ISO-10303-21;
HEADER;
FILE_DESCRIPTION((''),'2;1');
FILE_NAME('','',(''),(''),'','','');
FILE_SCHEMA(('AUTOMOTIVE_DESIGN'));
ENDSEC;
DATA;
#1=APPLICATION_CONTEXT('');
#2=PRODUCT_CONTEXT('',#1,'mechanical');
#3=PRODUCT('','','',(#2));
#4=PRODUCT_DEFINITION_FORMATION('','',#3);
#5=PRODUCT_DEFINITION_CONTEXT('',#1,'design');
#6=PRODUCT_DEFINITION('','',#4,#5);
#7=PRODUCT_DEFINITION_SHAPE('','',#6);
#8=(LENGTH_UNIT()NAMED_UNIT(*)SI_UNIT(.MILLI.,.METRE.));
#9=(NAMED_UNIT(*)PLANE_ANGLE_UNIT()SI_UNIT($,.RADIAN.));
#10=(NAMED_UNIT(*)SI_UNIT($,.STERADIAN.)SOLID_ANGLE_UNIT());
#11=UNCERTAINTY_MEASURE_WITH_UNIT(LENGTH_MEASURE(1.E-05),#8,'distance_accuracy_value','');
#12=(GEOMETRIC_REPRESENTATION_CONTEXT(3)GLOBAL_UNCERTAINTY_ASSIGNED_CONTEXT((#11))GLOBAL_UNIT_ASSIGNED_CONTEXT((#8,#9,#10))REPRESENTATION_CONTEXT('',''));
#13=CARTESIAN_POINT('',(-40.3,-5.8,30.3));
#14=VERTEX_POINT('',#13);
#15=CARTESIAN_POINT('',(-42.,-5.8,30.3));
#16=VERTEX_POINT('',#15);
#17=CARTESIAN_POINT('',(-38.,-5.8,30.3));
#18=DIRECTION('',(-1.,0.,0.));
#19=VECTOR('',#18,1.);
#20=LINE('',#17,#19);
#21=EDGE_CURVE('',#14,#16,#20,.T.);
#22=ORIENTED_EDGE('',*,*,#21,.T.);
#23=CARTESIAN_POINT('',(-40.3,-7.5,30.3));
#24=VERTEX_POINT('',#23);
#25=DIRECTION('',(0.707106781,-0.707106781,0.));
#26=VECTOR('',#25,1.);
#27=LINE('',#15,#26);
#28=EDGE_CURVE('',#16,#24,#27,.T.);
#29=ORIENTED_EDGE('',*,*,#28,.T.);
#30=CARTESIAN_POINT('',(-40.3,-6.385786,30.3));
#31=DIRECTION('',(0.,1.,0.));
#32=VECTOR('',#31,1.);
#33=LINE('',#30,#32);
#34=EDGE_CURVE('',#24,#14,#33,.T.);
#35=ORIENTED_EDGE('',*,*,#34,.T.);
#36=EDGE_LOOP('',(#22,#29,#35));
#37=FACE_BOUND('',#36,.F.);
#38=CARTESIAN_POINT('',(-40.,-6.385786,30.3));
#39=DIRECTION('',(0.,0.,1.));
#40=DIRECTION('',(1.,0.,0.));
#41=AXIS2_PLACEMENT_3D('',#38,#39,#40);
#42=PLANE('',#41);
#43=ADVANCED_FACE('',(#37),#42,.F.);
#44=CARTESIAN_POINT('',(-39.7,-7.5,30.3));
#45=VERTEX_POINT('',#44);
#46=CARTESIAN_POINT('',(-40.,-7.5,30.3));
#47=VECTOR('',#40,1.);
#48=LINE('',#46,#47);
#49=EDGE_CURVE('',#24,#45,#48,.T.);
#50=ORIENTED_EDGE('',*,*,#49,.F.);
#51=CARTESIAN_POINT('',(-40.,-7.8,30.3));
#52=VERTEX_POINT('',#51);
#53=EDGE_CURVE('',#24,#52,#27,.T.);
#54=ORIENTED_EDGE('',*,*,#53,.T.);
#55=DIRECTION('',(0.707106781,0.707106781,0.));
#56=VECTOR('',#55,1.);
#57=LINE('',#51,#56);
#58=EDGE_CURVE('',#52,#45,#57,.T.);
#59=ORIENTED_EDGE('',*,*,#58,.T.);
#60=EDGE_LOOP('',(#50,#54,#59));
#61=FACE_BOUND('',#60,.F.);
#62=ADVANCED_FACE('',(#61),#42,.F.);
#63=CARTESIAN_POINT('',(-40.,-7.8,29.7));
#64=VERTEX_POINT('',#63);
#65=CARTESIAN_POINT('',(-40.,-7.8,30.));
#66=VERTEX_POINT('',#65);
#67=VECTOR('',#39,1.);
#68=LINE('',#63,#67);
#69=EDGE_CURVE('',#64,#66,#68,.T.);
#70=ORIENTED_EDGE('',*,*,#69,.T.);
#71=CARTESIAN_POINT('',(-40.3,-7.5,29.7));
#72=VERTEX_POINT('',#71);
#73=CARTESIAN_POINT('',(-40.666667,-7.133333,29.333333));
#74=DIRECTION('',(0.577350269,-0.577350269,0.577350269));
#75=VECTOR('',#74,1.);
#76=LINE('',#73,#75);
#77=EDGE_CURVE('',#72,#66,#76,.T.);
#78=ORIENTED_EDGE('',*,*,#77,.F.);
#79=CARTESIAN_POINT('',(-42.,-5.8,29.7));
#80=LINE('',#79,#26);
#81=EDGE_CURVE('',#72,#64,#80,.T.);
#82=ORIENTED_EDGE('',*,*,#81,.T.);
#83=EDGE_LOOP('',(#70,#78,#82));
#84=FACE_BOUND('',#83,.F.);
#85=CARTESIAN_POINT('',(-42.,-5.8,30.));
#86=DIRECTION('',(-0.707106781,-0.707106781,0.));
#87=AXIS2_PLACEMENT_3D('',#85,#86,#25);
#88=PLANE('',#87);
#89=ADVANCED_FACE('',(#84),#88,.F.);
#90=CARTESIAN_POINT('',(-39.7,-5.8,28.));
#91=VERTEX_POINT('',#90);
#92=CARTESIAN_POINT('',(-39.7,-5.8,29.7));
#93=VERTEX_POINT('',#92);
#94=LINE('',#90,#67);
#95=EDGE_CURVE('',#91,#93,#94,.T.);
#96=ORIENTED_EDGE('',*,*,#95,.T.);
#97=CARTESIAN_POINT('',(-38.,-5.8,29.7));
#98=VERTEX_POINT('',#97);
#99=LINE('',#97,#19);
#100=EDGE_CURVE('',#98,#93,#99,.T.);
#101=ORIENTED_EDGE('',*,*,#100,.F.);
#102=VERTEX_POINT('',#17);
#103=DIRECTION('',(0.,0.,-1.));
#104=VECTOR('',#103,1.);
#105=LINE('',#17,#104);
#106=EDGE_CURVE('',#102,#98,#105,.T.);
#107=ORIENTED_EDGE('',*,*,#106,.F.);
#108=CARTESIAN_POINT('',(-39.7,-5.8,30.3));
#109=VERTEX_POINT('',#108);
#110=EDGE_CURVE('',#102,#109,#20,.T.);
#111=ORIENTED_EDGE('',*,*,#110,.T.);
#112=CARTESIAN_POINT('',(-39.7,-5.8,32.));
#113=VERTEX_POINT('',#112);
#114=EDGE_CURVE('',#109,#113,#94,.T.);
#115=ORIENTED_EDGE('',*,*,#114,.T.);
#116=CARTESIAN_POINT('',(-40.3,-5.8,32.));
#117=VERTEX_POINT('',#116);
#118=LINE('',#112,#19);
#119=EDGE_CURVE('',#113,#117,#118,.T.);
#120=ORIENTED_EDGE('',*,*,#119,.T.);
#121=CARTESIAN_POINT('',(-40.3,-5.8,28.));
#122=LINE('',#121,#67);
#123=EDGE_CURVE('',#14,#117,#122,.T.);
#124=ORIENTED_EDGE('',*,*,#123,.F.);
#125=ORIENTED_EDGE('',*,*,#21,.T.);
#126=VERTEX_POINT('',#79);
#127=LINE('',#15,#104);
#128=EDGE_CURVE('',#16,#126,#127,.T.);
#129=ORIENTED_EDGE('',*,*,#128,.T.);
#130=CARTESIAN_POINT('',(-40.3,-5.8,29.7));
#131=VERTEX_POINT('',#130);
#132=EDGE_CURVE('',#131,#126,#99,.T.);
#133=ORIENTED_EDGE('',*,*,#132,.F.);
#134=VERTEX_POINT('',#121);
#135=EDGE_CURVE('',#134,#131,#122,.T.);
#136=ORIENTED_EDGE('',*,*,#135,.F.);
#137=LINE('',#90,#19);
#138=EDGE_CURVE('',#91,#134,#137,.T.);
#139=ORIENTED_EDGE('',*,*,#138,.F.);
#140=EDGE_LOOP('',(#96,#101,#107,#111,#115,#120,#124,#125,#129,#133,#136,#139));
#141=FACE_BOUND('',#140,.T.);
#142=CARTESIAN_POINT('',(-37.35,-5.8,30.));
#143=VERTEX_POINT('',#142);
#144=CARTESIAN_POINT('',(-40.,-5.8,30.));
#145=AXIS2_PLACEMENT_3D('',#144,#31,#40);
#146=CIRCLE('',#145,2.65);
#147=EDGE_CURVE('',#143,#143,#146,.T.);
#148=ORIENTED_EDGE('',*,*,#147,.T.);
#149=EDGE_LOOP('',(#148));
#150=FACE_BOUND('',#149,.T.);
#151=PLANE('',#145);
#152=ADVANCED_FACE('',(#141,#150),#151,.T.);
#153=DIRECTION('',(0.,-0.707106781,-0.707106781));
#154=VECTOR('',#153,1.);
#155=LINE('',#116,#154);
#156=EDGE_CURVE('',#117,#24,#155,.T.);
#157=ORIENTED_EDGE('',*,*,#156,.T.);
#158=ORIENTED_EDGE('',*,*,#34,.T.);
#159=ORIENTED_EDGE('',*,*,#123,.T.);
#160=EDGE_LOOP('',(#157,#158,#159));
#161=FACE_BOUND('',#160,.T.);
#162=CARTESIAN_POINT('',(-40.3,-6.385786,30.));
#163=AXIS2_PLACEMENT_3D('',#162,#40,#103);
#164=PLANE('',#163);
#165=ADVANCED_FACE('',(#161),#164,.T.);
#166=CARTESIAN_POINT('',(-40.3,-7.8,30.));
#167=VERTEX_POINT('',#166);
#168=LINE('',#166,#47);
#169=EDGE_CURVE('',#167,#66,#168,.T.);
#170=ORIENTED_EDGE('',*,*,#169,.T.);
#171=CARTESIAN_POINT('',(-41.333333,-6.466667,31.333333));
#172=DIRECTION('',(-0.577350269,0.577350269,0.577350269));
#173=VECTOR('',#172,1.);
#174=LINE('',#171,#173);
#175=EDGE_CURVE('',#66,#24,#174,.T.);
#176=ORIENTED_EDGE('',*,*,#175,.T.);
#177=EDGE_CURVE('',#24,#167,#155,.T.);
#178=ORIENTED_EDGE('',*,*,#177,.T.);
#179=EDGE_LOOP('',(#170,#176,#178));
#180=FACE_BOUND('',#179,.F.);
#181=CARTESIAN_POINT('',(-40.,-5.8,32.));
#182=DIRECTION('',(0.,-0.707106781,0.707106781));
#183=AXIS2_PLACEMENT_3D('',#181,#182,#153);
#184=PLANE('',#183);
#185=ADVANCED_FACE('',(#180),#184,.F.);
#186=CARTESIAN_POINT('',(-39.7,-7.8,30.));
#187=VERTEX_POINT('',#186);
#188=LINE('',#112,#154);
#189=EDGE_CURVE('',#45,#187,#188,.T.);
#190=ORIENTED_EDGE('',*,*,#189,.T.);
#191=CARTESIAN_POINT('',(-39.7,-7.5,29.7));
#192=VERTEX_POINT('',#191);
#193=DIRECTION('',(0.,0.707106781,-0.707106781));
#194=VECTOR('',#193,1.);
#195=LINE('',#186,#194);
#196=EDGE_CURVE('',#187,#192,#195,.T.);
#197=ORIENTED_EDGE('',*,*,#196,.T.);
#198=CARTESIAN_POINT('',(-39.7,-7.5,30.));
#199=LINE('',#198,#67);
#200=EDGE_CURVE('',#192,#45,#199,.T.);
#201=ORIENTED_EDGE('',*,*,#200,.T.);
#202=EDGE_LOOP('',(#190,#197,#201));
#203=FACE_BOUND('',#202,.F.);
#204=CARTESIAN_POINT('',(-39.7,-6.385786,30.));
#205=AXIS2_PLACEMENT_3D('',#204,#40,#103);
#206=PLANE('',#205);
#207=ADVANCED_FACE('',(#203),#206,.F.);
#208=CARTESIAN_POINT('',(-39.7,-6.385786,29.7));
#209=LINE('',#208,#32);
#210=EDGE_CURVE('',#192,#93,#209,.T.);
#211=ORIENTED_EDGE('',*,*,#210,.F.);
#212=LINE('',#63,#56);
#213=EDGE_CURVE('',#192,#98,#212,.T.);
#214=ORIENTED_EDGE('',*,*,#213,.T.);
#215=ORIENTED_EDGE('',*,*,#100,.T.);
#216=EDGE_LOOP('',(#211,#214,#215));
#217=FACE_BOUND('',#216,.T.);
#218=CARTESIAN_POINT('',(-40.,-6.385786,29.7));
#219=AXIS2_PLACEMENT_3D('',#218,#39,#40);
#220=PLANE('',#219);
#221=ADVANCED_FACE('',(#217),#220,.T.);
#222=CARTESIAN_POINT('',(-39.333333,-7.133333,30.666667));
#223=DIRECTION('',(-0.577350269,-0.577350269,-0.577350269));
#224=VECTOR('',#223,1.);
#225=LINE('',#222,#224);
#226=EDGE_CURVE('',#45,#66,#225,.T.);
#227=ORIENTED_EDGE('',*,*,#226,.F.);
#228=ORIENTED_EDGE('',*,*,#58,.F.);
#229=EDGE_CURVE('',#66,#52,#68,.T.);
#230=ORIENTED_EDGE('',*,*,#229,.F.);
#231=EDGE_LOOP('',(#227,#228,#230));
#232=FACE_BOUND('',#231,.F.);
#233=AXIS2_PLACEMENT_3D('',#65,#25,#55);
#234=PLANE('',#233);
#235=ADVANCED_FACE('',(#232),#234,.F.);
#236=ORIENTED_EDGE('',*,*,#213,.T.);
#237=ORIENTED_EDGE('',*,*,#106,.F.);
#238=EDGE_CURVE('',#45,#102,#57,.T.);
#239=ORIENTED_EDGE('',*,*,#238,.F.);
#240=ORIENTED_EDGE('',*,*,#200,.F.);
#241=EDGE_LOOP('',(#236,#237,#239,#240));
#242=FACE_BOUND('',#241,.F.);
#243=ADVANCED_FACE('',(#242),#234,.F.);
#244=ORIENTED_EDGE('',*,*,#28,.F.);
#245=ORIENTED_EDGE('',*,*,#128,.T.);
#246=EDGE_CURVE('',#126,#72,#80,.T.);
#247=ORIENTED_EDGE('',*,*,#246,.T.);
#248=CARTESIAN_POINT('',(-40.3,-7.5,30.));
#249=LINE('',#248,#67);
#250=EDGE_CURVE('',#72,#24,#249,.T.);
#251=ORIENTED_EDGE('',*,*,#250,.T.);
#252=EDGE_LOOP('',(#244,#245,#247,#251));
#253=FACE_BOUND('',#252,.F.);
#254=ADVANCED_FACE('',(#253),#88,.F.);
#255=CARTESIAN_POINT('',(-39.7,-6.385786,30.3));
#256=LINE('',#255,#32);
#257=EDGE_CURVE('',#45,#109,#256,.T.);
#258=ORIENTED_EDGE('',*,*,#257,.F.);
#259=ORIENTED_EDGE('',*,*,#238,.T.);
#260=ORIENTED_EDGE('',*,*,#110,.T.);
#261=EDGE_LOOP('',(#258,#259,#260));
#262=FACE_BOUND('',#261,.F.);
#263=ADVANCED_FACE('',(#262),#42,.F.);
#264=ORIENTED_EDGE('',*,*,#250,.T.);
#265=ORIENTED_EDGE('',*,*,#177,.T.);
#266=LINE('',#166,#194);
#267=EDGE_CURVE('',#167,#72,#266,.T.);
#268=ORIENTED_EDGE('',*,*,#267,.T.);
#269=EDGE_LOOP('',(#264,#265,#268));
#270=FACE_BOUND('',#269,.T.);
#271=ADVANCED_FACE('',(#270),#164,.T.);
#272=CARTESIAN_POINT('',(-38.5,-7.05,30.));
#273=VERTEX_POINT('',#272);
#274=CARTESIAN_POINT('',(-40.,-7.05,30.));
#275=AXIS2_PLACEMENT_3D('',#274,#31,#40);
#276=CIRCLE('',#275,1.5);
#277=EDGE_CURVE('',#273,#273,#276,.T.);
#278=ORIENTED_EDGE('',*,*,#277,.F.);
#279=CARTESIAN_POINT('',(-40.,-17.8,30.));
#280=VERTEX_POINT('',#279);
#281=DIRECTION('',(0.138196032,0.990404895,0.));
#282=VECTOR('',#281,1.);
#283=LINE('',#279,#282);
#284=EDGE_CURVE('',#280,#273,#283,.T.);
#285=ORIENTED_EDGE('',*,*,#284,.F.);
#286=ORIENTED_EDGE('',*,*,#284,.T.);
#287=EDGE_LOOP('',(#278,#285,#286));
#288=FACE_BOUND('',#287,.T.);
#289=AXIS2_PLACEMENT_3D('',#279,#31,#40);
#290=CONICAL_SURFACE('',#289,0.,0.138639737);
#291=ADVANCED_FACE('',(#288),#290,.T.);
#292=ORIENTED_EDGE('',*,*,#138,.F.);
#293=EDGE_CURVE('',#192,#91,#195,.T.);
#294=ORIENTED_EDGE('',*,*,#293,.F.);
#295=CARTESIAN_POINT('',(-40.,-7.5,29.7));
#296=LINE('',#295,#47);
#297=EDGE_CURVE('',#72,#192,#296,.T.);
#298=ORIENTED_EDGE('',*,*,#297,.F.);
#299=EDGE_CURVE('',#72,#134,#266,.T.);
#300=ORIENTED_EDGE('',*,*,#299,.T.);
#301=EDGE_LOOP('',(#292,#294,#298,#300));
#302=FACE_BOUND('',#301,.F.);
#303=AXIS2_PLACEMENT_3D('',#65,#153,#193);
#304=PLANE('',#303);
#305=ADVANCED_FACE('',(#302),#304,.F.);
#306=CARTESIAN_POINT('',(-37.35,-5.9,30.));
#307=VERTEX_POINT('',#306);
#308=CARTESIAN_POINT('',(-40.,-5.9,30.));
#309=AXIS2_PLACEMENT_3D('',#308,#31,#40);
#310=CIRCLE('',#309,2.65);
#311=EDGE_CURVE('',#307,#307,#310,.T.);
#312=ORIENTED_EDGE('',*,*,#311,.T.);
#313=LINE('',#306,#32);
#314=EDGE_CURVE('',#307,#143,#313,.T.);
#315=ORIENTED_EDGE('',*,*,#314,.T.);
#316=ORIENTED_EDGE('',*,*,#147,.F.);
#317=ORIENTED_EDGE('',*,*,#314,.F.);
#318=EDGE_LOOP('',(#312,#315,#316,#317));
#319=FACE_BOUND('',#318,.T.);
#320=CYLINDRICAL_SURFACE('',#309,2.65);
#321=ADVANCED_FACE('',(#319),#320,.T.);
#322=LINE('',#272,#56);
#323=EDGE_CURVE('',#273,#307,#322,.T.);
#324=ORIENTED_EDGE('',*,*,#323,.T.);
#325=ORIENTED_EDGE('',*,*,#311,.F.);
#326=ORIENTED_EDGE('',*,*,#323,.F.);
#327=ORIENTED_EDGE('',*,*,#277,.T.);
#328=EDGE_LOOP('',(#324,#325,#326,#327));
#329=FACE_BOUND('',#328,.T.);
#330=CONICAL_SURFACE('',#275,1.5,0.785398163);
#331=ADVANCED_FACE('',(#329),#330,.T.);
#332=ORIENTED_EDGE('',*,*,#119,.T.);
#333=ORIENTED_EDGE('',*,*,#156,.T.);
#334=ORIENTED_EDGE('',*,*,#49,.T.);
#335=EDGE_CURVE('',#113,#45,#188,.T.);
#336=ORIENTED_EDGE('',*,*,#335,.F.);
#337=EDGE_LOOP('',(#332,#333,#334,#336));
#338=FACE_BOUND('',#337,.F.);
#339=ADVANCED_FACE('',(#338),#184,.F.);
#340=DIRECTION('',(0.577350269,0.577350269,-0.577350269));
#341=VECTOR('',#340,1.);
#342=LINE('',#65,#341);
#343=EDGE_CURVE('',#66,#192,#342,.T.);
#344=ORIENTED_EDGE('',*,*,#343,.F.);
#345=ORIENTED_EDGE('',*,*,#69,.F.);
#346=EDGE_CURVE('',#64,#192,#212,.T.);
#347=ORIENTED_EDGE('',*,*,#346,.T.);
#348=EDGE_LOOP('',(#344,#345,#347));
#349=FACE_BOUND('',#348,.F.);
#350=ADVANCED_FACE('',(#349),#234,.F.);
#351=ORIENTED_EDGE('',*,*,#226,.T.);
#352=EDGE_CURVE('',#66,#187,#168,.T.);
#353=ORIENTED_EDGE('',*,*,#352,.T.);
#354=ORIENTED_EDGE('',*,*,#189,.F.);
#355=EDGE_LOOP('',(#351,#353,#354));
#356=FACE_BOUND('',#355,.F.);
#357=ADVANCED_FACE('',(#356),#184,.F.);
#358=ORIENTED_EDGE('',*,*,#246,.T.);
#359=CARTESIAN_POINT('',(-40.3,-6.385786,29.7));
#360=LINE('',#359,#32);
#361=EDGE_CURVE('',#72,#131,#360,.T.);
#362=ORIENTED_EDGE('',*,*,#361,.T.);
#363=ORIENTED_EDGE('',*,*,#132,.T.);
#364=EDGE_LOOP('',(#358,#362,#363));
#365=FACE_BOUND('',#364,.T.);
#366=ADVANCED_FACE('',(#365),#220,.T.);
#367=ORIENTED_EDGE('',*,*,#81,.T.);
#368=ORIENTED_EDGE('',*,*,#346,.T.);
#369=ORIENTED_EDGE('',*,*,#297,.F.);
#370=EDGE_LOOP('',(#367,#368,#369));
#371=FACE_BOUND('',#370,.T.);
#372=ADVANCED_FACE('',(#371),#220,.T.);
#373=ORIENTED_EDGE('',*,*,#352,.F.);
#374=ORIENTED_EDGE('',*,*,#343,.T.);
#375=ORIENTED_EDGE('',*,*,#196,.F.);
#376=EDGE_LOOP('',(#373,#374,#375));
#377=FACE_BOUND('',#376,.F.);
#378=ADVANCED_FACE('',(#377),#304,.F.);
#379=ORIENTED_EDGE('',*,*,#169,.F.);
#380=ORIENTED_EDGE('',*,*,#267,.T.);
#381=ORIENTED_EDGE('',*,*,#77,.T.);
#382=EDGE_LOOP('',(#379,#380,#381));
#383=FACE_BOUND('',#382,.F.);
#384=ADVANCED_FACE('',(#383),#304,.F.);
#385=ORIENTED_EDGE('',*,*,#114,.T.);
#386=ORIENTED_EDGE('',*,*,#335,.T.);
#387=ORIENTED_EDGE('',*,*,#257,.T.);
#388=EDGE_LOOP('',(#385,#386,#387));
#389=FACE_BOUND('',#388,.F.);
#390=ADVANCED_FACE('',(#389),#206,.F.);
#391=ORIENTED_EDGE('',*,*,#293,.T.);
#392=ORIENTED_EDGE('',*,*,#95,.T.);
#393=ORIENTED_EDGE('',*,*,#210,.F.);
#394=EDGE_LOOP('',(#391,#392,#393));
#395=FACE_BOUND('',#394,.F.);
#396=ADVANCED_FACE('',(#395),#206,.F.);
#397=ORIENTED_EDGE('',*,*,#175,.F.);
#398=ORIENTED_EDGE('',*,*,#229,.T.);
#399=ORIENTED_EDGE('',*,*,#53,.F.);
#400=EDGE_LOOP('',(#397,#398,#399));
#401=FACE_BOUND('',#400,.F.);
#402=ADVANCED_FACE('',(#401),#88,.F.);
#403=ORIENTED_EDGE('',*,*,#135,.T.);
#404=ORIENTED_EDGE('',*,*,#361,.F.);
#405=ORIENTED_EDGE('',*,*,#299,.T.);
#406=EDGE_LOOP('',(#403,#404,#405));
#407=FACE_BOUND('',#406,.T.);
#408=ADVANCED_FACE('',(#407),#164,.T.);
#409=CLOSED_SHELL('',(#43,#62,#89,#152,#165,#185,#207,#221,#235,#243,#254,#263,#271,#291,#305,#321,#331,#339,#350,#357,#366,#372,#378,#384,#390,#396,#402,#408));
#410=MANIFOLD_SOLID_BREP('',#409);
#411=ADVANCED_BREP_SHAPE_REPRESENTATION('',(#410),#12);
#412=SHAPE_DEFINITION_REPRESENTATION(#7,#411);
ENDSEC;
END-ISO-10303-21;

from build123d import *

# Parameters (mm, degrees)
POCKET021_DEPTH         = 0.3
POLARPATTERN003_COUNT   = 2
POLARPATTERN003_ANGLE   = 90
BODY018_PLACEMENT_ANGLE = 90


with BuildPart() as part:
    # Sketch097 → Revolution006 (revolve)
    with BuildSketch(Plane.XZ):
        Polygon((0, 0), (0, -12), (1.5, -1.25), (2.65, -0.1), (2.65, 0), align=None)
    revolve(axis=Axis((0, 0, 0), (0, 0, 1)))

    # Sketch096 → Pocket021 (cut, symmetric)
    with BuildSketch(Plane.XZ):
        Polygon((-2, 0), (0, -2), (2, 0), align=None)
    pocket021 = extrude(amount=POCKET021_DEPTH, both=True, mode=Mode.SUBTRACT)

    # PolarPattern003: Pocket021 ×2 about axis
    polarpattern003_axis = Axis((0, 0, 0), (0, 0, 1))
    for i in range(1, POLARPATTERN003_COUNT):
        add(pocket021.rotate(polarpattern003_axis, i * POLARPATTERN003_ANGLE / (POLARPATTERN003_COUNT - 1)), mode=Mode.SUBTRACT)


with BuildPart() as part_1:
    # Body018 placement: moved
    add(part.part.moved(Location((-40, -5.8, 30))).rotate(Axis((-40, -5.8, 30), (-1, 0, 0)), BODY018_PLACEMENT_ANGLE))


solid = part_1.part
